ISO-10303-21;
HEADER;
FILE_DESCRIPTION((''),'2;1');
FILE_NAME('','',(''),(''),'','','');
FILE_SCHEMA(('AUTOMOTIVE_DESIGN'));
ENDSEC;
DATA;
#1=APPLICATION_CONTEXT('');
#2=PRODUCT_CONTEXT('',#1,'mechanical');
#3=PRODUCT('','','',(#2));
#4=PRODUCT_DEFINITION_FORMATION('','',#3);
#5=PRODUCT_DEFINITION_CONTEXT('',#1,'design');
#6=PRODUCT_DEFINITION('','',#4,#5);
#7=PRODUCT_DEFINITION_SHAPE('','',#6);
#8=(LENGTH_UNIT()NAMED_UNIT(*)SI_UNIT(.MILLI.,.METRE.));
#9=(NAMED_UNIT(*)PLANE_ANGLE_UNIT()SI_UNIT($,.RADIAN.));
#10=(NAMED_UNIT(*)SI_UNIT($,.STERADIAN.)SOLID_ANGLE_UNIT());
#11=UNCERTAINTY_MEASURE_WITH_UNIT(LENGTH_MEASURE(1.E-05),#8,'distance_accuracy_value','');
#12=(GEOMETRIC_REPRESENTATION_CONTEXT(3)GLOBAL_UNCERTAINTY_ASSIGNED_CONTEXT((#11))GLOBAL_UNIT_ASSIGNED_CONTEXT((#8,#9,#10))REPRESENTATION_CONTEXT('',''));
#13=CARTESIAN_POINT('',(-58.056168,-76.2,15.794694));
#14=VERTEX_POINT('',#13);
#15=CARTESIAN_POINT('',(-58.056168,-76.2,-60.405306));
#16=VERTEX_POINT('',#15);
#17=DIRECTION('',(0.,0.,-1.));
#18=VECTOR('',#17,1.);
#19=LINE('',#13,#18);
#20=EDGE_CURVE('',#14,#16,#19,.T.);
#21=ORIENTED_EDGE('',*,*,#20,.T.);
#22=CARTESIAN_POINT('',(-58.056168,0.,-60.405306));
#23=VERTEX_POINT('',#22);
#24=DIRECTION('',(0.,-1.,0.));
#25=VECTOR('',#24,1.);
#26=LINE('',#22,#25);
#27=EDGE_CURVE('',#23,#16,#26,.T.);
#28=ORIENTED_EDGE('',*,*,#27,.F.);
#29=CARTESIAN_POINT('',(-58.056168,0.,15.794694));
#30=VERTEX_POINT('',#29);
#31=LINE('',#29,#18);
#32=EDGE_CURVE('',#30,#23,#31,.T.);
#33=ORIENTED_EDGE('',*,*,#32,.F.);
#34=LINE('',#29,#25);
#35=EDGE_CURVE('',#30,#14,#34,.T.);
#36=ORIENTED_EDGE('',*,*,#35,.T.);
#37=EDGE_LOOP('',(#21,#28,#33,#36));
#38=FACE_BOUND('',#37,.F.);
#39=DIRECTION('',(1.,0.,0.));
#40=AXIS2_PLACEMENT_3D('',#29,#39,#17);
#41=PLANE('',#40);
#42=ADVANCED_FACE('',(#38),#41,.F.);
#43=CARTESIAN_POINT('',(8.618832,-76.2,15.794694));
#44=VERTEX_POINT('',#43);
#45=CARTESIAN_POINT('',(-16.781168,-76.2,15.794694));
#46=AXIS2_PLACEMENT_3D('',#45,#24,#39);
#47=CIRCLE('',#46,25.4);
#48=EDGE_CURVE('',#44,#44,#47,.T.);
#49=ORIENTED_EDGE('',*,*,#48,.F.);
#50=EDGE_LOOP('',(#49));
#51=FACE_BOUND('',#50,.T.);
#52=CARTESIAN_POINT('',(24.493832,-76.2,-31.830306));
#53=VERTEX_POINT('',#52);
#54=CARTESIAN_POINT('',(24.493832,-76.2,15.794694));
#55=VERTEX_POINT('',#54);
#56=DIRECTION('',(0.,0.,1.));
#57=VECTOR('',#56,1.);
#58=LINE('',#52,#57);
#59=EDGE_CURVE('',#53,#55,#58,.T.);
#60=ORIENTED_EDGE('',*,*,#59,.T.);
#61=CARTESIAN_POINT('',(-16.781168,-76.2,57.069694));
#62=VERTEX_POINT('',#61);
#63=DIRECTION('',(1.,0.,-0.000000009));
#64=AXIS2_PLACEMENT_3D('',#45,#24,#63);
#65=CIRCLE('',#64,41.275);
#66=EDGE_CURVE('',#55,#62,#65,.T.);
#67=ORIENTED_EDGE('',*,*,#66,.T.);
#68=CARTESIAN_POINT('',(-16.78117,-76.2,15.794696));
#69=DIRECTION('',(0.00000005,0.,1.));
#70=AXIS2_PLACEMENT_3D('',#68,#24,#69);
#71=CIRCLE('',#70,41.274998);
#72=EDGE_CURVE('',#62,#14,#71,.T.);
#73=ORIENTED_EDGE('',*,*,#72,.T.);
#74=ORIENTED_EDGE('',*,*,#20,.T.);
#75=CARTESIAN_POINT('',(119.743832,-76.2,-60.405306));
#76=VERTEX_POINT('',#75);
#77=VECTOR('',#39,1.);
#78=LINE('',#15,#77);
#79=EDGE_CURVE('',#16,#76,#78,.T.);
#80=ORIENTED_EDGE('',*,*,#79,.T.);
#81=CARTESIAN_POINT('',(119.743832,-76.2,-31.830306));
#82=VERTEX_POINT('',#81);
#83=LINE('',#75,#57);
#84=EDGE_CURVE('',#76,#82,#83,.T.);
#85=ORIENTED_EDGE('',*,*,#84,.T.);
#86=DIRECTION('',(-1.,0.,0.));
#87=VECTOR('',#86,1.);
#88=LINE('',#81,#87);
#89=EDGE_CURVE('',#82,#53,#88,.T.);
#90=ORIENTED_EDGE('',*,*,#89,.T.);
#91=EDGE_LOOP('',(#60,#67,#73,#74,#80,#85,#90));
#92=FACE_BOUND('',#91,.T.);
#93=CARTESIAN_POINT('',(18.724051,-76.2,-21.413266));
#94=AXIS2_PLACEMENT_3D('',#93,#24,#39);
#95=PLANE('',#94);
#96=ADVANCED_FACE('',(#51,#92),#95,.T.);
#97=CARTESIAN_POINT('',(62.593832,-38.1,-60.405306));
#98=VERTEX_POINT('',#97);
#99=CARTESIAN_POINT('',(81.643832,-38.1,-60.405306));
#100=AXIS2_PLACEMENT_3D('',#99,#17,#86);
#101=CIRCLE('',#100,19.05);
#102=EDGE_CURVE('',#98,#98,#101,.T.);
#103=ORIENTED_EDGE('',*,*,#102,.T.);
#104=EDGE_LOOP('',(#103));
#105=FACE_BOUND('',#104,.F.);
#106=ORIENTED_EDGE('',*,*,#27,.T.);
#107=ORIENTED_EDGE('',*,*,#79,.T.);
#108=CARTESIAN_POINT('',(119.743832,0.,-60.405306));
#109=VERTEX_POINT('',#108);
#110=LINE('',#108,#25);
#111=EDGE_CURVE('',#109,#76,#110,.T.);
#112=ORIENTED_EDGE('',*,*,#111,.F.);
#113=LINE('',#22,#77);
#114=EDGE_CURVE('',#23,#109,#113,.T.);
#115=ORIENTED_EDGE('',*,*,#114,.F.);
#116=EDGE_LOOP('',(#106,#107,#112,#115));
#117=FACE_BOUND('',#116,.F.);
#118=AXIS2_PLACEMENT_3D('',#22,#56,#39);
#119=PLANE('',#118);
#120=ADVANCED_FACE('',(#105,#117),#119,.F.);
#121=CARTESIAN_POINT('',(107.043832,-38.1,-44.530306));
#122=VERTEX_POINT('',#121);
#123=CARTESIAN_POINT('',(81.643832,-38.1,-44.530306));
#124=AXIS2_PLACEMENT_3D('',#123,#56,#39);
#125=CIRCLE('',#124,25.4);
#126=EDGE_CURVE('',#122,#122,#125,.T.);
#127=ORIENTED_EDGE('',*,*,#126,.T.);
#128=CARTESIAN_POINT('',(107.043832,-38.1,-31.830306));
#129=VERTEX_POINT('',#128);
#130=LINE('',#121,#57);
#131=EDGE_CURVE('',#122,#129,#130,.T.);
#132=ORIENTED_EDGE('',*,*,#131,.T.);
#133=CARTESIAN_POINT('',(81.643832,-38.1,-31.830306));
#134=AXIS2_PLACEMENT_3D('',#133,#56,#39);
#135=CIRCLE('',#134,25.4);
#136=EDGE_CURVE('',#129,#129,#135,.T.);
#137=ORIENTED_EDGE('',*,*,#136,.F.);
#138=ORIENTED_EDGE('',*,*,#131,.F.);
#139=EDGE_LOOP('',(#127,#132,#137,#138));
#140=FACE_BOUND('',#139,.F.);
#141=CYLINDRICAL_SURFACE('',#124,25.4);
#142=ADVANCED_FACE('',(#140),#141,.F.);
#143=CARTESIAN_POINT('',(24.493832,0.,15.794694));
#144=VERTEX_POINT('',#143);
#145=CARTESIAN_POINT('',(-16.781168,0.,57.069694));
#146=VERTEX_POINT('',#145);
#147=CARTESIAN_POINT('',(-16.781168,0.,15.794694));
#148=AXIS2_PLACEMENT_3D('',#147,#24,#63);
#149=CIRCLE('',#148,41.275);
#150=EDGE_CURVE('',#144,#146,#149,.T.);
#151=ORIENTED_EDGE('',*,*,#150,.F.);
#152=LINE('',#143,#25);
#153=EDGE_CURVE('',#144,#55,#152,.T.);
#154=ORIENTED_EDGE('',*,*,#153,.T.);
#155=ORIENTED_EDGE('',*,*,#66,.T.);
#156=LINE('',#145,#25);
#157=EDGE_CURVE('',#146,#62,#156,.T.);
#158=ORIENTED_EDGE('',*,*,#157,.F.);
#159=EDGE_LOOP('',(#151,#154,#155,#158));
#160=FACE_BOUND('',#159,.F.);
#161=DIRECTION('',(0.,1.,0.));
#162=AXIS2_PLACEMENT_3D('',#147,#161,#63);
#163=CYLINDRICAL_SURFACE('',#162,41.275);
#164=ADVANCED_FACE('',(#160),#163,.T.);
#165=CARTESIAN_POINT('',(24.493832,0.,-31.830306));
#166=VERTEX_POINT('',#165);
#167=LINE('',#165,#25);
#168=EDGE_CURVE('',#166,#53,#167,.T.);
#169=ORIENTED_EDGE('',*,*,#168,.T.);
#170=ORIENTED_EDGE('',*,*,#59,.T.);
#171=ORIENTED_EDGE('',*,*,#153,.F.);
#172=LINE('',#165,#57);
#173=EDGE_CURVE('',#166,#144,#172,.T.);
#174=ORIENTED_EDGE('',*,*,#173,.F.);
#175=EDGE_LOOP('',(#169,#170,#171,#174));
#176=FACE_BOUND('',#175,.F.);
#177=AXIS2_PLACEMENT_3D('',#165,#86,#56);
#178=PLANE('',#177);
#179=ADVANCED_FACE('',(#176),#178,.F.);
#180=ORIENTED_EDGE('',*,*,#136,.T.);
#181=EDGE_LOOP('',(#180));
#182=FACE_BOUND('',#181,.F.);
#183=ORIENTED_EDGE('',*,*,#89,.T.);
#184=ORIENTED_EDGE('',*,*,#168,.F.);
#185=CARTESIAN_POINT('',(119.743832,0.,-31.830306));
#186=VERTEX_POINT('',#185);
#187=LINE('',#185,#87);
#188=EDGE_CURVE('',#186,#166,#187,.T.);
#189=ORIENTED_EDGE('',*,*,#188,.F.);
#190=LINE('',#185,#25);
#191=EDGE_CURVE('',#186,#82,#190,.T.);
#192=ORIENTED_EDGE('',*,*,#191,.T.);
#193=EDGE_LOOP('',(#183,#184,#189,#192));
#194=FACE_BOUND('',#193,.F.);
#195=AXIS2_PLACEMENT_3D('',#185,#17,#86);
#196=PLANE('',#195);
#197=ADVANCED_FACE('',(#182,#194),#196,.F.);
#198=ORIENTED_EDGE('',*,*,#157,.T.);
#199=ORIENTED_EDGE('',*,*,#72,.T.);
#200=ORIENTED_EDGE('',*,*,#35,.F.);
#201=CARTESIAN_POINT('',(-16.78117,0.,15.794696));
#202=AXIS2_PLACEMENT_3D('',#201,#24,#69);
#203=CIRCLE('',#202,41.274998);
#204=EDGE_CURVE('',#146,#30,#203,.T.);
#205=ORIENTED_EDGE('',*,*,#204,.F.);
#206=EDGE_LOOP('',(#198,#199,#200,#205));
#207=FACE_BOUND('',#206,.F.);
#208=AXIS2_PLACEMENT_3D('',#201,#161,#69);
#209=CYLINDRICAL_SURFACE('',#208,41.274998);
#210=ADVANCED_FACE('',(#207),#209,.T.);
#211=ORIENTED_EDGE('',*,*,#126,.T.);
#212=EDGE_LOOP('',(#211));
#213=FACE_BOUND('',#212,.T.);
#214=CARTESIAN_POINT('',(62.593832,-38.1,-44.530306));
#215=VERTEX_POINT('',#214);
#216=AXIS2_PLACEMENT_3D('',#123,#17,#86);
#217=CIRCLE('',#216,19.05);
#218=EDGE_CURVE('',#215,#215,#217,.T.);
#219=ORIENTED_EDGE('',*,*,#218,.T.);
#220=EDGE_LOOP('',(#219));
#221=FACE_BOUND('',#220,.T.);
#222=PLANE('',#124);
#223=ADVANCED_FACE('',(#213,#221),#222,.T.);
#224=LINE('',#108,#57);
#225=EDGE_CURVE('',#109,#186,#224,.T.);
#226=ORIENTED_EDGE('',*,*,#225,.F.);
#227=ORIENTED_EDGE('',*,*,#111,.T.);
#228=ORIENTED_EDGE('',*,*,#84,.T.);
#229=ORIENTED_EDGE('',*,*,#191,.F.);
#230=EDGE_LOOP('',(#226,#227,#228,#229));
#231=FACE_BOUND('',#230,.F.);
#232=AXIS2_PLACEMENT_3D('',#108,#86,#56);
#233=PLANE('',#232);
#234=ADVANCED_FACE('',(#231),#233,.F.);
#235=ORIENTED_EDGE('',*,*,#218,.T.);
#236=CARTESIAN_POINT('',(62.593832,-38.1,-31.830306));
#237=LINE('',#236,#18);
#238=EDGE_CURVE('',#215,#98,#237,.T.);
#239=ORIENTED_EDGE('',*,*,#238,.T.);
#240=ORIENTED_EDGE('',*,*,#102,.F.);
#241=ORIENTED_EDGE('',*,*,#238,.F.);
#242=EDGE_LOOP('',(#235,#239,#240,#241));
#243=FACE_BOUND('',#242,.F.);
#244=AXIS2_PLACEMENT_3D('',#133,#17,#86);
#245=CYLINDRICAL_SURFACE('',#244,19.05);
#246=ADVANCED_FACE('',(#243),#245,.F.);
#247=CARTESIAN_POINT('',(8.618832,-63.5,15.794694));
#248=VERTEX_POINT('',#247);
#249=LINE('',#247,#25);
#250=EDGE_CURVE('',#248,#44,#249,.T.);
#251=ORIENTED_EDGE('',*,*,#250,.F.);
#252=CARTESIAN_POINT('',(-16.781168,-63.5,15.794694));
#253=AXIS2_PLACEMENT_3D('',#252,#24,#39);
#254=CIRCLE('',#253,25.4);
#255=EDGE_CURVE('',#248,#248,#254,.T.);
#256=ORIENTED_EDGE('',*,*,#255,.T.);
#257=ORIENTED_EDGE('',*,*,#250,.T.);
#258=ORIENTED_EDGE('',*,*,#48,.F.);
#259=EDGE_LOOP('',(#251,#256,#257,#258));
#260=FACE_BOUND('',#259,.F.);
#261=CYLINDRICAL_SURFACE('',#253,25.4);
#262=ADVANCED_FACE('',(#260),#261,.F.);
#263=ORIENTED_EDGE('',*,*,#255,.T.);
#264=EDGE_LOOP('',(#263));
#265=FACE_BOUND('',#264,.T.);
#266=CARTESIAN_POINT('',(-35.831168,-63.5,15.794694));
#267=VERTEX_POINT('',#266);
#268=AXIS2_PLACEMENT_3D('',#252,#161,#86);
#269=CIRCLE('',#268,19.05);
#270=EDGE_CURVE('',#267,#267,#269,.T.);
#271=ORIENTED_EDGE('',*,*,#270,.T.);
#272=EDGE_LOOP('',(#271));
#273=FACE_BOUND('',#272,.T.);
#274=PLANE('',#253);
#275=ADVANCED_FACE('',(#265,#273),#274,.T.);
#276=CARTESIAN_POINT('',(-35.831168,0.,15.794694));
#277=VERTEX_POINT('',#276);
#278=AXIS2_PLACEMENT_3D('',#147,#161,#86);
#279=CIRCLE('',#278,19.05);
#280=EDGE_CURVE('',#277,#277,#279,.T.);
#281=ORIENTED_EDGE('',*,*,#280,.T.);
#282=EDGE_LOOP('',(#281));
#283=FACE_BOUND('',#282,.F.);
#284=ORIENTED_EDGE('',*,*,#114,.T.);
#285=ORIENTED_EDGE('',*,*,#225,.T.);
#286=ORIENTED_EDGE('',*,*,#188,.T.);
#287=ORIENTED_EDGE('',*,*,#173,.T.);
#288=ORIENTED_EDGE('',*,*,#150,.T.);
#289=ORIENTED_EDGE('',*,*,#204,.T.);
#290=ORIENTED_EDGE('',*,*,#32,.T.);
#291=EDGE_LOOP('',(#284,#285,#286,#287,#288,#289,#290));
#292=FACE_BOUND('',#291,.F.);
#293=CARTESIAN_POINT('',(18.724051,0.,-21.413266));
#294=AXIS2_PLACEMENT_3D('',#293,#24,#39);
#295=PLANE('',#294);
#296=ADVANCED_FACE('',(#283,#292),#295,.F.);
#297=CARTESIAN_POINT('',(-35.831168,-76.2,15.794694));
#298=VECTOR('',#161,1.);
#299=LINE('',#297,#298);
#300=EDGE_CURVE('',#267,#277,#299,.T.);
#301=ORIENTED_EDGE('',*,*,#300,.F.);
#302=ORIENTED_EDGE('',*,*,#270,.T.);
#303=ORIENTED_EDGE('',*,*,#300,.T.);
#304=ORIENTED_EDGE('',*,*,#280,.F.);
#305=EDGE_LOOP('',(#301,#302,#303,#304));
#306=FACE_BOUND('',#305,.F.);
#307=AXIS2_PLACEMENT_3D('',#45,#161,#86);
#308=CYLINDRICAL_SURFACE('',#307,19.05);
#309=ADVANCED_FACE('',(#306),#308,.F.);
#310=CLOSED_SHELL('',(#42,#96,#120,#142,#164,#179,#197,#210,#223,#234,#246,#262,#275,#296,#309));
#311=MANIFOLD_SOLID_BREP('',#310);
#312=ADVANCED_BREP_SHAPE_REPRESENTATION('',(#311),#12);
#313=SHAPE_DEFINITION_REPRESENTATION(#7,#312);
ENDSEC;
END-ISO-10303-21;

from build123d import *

# Parameters (mm, degrees)
F1_DEPTH       = 76.2
F3_D           = 38.1
F3_CBORE_D     = 50.8
F3_CBORE_DEPTH = 12.7
F5_D           = 38.1
F5_CBORE_D     = 50.8
F5_CBORE_DEPTH = 12.7


with BuildPart() as f1:
    # F0 (on Front) → F1 (new body)
    with BuildSketch(Plane.XZ):
        with BuildLine():
            Line((-58.056168, 15.794694), (-58.056168, -60.405306))
            Line((-58.056168, -60.405306), (119.743832, -60.405306))
            Line((119.743832, -60.405306), (119.743832, -31.830306))
            Line((119.743832, -31.830306), (24.493832, -31.830306))
            Line((24.493832, -31.830306), (24.493832, 15.794694))
            ThreePointArc((24.493832, 15.794694), (12.404664, 44.980527), (-16.781168, 57.069694))
            ThreePointArc((-16.781168, 57.069694), (-45.967001, 44.980527), (-58.056168, 15.794694))
        make_face()
    extrude(amount=F1_DEPTH)

    # F3 (through all)
    with Locations(Plane.XZ.offset(76.2)):
        with Locations((-16.781168, 15.794694)):
            CounterBoreHole(F3_D / 2, F3_CBORE_D / 2, F3_CBORE_DEPTH)

    # F5 (through all)
    with Locations(Plane.XY.offset(-31.830306)):
        with Locations((81.643832, -38.1)):
            CounterBoreHole(F5_D / 2, F5_CBORE_D / 2, F5_CBORE_DEPTH)


solid = f1.part
